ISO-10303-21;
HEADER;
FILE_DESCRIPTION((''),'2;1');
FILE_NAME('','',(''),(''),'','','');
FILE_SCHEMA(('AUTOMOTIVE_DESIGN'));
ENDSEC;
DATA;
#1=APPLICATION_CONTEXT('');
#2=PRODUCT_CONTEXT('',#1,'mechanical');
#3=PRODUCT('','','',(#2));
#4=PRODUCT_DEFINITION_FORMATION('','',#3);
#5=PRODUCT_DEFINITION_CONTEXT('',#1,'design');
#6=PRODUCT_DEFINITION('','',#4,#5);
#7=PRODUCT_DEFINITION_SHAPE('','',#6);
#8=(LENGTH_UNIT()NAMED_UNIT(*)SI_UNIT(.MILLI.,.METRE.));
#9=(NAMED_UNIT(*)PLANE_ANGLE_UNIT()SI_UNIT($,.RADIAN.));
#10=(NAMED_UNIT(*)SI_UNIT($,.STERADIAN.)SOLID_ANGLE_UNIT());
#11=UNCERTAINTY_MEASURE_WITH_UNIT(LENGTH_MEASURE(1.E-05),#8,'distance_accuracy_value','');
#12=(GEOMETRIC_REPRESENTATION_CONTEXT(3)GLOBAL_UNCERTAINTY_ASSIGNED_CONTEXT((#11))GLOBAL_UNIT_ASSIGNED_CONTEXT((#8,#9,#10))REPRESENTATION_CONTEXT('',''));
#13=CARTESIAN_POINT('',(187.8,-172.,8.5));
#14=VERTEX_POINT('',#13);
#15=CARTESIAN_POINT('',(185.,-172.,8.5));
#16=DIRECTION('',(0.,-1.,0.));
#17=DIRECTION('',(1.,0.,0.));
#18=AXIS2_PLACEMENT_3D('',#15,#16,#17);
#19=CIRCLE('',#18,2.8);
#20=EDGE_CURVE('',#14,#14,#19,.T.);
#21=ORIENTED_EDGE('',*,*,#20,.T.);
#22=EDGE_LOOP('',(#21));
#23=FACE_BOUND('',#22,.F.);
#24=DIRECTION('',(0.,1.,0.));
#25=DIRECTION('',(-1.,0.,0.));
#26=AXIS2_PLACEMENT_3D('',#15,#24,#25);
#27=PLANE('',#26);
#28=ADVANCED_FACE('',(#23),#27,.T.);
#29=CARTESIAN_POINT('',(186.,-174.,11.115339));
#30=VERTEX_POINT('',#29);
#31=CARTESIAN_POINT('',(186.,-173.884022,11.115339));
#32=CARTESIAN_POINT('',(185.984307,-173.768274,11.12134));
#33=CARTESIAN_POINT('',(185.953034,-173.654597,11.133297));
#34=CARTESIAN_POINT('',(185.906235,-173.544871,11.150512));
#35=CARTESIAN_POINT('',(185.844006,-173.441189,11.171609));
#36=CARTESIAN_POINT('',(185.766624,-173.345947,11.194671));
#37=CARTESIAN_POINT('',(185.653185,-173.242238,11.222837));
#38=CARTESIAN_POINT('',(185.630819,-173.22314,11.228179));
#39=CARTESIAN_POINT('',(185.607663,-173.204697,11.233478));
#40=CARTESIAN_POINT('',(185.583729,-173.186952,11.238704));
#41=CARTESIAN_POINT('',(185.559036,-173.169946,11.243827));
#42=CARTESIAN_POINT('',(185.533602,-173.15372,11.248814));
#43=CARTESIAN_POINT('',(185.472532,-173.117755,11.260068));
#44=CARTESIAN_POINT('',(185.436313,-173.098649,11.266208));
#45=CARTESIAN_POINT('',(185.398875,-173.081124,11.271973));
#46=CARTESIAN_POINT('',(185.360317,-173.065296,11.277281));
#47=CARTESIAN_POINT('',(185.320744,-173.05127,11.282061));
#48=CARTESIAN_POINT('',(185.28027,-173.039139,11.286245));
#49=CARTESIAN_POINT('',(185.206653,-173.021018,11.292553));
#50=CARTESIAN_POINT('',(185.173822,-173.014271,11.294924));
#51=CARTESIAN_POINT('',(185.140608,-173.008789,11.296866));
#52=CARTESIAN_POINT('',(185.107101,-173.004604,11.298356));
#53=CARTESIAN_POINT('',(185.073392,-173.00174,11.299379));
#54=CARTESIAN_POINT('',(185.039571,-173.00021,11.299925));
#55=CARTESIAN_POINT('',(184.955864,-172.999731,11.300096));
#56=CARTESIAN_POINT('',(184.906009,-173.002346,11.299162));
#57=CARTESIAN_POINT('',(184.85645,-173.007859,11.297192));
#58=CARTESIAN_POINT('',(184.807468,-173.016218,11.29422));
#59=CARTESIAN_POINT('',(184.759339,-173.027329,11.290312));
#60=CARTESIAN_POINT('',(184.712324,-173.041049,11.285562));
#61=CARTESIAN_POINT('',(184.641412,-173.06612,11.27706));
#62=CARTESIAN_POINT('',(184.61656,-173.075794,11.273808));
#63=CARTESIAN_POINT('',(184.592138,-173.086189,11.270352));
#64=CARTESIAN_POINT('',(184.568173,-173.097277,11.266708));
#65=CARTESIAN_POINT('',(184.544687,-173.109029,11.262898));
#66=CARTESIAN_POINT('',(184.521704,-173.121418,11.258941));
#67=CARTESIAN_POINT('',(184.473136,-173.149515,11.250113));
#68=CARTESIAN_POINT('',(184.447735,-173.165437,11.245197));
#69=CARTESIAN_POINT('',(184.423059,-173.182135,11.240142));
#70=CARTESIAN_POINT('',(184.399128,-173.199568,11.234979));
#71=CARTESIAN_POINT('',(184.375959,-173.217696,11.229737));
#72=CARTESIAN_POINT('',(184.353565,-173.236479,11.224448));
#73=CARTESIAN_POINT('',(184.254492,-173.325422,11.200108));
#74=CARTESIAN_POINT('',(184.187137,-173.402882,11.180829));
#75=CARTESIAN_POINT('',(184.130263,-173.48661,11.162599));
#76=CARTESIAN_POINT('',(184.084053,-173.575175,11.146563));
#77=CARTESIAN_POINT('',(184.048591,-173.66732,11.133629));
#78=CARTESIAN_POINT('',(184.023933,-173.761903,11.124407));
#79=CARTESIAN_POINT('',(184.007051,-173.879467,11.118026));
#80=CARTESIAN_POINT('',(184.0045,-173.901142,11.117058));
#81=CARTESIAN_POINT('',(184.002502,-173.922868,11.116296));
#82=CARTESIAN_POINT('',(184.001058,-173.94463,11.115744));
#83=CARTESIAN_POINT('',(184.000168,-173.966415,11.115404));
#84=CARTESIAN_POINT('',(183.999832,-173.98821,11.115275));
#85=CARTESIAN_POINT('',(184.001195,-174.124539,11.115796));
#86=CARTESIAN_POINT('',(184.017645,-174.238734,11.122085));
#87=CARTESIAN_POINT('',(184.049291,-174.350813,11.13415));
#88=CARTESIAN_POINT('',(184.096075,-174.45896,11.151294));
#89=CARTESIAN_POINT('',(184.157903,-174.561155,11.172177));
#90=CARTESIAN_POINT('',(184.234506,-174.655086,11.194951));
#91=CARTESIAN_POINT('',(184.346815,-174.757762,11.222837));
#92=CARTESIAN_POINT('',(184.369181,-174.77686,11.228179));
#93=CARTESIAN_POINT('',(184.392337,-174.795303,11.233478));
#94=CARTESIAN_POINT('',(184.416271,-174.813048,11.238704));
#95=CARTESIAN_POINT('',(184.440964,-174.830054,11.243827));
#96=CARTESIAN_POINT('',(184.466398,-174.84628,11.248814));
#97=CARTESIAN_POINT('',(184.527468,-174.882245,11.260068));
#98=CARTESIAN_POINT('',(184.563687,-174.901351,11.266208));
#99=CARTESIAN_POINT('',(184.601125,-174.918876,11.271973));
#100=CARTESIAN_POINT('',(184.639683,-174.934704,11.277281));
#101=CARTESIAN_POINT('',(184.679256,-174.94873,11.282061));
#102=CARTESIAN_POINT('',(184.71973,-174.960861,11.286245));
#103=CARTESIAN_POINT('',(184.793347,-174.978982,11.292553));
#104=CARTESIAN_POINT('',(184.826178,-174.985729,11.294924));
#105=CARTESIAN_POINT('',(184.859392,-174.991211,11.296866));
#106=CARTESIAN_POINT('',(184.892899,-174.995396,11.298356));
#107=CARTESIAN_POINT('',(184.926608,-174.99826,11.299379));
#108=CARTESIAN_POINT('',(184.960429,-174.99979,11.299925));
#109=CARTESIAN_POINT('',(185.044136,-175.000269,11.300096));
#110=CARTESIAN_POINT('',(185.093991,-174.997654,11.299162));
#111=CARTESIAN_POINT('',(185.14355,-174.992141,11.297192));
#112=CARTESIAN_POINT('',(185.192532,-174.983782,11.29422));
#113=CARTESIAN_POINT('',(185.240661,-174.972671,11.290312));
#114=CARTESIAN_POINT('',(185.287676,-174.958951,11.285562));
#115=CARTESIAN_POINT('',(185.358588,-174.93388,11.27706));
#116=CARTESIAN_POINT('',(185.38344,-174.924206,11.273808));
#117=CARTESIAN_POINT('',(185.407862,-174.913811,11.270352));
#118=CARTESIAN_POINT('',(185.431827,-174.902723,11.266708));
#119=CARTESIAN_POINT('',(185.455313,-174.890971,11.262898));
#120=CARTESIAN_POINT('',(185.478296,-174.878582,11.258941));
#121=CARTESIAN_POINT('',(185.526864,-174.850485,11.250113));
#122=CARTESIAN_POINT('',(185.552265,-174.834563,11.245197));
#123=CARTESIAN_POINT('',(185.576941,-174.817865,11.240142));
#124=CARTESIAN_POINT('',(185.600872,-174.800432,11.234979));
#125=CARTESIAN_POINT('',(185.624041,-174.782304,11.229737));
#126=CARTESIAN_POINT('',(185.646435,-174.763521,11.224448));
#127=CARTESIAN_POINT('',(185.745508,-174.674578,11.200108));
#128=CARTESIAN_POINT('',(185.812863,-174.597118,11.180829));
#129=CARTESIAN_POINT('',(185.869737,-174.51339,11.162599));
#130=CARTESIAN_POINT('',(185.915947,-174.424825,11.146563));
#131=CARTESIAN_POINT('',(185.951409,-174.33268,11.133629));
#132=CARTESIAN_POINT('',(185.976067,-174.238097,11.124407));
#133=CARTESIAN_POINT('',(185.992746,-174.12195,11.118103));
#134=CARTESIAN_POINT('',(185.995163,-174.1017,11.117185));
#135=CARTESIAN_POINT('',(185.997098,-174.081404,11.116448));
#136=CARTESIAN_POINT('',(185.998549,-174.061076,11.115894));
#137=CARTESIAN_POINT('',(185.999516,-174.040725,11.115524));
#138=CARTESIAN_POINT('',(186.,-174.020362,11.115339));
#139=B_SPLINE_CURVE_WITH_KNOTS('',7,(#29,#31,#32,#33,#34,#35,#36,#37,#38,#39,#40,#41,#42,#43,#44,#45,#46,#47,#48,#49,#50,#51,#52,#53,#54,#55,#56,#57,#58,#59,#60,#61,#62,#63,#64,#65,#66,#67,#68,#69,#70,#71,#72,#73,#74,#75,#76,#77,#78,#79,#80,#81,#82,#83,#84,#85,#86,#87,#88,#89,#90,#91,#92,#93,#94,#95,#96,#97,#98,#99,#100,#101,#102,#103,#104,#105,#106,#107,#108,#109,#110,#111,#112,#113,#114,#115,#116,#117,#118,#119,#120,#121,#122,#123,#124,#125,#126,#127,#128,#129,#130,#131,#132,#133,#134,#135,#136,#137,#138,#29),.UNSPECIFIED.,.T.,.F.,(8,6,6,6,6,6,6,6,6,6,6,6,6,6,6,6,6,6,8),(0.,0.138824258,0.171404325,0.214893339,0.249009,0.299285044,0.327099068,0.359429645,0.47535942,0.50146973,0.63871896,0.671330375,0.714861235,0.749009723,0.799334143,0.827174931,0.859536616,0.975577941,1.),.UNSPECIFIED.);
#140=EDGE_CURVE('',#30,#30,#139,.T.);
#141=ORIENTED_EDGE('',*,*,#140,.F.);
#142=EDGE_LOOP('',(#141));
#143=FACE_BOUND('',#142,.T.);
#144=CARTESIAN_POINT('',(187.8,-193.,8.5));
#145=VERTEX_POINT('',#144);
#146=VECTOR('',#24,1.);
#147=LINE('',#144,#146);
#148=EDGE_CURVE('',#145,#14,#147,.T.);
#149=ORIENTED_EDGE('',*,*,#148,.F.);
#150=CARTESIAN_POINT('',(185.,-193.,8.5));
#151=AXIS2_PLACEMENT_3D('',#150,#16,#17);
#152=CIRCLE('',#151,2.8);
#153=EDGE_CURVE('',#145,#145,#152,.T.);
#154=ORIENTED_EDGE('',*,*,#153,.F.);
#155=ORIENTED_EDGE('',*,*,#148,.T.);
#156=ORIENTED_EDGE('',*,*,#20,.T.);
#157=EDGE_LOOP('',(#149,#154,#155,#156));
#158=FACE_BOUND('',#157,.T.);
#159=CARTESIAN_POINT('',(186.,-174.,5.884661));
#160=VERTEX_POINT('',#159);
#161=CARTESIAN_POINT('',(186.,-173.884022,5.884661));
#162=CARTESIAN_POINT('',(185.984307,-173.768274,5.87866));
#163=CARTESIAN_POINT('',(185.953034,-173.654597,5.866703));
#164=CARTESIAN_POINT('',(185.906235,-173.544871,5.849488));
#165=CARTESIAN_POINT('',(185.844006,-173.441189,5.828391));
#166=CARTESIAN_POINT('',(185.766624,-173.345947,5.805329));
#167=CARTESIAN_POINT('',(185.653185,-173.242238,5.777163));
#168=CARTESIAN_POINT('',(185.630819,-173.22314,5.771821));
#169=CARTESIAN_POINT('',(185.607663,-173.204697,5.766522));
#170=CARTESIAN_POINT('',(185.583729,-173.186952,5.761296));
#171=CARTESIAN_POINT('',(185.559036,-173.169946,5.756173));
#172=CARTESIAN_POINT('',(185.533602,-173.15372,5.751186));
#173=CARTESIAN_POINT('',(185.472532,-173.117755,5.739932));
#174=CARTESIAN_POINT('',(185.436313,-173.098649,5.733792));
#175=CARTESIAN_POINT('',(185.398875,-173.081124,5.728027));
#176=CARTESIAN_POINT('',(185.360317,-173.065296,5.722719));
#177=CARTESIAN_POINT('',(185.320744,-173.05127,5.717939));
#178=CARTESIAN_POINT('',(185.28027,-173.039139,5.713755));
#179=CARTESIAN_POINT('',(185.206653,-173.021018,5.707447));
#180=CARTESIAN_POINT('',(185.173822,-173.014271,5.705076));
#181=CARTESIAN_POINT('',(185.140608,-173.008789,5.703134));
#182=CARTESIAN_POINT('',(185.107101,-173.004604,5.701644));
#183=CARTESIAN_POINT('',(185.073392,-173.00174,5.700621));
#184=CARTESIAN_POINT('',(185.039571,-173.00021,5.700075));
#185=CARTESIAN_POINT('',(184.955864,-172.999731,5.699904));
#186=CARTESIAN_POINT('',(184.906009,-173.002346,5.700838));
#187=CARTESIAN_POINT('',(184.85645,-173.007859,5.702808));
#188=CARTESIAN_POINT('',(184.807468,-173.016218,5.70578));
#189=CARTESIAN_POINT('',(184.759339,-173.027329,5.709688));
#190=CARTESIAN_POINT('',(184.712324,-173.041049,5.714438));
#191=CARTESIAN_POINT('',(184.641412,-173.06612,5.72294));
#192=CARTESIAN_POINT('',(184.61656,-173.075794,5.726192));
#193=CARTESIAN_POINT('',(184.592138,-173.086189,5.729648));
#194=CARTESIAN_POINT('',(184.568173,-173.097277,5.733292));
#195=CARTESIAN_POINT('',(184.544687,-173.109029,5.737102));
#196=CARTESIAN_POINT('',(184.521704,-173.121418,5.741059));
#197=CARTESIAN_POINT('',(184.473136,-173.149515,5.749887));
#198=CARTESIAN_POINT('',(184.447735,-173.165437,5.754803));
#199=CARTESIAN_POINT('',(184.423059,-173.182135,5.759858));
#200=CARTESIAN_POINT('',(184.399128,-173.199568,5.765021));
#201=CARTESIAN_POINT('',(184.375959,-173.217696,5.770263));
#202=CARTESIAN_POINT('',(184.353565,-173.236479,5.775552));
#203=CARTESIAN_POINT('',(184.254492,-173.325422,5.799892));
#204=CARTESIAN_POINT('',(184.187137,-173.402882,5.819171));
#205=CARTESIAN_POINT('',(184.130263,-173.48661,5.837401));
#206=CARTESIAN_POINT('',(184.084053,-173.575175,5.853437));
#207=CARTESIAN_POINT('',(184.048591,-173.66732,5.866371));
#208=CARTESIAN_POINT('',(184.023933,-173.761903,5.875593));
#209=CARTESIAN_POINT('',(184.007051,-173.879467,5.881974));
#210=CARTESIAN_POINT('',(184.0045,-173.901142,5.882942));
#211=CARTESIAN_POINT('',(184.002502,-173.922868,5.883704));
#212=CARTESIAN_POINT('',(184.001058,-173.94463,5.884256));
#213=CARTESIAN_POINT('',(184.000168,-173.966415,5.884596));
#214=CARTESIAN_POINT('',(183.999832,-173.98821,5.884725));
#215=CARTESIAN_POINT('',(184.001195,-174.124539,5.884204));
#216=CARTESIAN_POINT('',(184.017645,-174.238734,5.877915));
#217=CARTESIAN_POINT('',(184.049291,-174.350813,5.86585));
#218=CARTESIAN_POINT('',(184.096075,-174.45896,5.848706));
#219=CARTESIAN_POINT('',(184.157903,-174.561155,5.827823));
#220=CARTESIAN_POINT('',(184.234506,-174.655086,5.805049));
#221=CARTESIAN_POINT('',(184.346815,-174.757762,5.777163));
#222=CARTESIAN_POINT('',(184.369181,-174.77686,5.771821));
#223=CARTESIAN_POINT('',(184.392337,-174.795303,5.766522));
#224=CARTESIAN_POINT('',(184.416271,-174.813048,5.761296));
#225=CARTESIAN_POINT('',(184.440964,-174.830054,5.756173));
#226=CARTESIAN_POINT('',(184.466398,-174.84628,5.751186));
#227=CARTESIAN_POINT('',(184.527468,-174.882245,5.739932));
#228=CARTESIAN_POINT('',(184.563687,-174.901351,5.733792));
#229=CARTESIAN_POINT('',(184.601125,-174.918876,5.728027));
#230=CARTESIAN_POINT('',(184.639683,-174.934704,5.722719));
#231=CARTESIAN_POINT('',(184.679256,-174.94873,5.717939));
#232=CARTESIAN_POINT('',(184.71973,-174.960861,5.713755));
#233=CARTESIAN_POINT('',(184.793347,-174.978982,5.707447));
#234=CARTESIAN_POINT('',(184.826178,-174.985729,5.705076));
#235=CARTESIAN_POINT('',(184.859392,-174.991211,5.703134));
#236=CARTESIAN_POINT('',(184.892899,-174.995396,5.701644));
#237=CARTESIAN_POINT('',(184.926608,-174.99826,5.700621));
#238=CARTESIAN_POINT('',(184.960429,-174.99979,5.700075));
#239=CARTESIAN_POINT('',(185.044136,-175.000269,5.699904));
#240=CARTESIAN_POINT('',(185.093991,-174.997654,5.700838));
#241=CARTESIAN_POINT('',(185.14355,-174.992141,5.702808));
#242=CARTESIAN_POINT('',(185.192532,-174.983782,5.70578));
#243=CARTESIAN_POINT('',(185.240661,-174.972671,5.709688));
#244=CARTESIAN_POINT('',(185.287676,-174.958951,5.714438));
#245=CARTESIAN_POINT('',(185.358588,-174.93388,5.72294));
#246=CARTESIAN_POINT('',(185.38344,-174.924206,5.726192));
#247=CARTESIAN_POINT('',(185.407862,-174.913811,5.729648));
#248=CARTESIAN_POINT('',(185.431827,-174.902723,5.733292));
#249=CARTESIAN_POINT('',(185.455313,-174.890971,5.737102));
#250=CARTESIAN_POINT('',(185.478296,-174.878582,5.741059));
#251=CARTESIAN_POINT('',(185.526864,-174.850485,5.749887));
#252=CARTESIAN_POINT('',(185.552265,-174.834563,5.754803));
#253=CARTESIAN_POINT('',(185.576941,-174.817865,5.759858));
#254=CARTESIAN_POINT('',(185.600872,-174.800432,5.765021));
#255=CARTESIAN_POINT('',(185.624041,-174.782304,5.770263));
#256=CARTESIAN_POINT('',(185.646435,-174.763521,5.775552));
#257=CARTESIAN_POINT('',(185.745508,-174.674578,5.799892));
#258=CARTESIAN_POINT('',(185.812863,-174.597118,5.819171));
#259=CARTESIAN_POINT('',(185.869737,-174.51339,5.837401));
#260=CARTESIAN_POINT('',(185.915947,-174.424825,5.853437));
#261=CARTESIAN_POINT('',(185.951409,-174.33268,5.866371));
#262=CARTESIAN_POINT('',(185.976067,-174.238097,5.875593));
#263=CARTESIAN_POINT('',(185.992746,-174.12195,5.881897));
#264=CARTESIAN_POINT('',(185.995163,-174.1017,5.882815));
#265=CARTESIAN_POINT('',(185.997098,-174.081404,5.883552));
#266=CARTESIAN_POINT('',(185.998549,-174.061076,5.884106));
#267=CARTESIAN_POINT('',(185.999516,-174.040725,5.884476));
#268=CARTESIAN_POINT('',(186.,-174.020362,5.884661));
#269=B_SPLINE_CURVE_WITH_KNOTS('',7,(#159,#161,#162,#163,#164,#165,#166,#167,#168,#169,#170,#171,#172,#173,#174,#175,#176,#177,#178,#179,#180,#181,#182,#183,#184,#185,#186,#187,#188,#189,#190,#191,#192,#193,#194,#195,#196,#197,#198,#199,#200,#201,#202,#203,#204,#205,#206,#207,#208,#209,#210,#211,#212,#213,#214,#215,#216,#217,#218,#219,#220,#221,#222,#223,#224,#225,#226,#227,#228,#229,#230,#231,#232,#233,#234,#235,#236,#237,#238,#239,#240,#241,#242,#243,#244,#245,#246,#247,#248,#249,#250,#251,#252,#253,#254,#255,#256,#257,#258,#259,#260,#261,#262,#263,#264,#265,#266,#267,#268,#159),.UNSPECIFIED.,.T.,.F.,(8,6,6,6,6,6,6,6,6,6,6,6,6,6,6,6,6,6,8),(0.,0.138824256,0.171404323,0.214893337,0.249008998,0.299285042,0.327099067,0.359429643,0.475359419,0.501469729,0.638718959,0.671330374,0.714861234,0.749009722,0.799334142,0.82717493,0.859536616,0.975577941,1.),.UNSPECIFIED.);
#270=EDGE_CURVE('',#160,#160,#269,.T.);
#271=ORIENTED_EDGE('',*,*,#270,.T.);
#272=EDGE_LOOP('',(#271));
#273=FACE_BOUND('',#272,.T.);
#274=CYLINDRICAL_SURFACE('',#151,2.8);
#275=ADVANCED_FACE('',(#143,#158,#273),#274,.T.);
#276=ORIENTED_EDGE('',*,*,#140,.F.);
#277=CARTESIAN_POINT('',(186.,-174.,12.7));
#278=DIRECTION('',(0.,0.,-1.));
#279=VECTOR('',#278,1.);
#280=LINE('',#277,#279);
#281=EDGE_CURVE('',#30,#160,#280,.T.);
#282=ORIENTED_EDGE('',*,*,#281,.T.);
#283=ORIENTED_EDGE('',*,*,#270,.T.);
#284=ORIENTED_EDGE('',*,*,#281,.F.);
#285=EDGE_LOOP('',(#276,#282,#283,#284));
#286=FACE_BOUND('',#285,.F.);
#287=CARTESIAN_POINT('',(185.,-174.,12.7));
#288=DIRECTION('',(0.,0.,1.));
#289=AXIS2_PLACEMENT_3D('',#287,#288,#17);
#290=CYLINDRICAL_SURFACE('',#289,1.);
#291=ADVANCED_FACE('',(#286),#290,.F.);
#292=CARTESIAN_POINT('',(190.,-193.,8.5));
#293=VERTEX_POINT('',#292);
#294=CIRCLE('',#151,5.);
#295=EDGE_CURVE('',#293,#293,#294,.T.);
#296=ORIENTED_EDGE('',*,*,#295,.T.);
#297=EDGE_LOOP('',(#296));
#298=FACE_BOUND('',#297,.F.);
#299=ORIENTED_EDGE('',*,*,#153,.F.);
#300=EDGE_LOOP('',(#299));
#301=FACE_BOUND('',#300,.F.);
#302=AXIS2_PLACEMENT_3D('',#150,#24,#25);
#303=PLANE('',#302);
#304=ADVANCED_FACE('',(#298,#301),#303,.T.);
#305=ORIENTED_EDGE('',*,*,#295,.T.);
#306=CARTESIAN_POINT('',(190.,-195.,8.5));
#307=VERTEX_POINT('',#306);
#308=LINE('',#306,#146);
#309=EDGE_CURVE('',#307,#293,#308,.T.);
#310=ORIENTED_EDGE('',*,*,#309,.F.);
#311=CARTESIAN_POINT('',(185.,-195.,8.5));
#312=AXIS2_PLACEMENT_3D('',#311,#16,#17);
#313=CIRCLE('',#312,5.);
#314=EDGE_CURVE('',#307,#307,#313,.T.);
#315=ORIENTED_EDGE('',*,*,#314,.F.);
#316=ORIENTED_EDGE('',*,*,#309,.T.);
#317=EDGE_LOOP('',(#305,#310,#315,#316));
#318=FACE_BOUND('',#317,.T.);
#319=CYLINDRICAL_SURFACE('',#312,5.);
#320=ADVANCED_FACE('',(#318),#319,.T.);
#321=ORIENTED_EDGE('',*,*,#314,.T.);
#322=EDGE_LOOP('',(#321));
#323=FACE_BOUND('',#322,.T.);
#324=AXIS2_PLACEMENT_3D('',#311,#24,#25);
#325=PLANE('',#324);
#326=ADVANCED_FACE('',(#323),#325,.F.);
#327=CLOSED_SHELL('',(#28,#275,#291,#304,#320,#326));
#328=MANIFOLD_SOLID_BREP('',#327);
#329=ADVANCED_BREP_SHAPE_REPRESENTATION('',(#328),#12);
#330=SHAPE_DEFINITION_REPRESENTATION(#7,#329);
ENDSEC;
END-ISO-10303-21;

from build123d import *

# Parameters (mm, degrees)
SKETCH073_R       = 1
PAD074_DEPTH      = 10
CYLINDER043_R     = 2.8
CYLINDER043_DEPTH = 21
CYLINDER044_R     = 5
CYLINDER044_DEPTH = 2
CUT050_ROLL_ANGLE = 90


with BuildPart() as pad074:
    # Sketch073 → Pad074 (new body)
    with BuildSketch(Plane(origin=(0, 4.2, 21), x_dir=(1, 0, 0), z_dir=(0, -1, 0))):
        Circle(SKETCH073_R)
    extrude(amount=PAD074_DEPTH)


with BuildPart() as eje002:
    # Cylinder043 → Cylinder043 (new body)
    with BuildSketch(Plane.XY.offset(2)):
        Circle(CYLINDER043_R)
    extrude(amount=CYLINDER043_DEPTH)


with BuildPart() as eje_full002:
    # Cylinder044 → Cylinder044 (new body)
    with BuildSketch(Plane.XY):
        Circle(CYLINDER044_R)
    extrude(amount=CYLINDER044_DEPTH)

    # Fusion009003069: union Eje002
    add(eje002.part)

    # Cut050: cut Pad074
    add(pad074.part, mode=Mode.SUBTRACT)


with BuildPart() as eje_full002_1:
    # Cut050 roll: moved
    add(eje_full002.part.rotate(Axis((0, 0, 0), (1, 0, 0)), CUT050_ROLL_ANGLE))


with BuildPart() as eje_full002_2:
    # Cut050 placement: moved
    add(eje_full002_1.part.moved(Location((185, 17, 8.5))))


with BuildPart() as eje_full2:
    # Part__Mirroring014: instance of Eje_full002
    add(eje_full002_2.part.mirror(Plane(origin=(0, 0, 0), x_dir=(1, 0, 0), z_dir=(0, 1, 0))))


with BuildPart() as eje_full2_1:
    # Part__Mirroring014 placement: moved
    add(eje_full2.part.moved(Location((0, -178, 0))))


solid = eje_full2_1.part
